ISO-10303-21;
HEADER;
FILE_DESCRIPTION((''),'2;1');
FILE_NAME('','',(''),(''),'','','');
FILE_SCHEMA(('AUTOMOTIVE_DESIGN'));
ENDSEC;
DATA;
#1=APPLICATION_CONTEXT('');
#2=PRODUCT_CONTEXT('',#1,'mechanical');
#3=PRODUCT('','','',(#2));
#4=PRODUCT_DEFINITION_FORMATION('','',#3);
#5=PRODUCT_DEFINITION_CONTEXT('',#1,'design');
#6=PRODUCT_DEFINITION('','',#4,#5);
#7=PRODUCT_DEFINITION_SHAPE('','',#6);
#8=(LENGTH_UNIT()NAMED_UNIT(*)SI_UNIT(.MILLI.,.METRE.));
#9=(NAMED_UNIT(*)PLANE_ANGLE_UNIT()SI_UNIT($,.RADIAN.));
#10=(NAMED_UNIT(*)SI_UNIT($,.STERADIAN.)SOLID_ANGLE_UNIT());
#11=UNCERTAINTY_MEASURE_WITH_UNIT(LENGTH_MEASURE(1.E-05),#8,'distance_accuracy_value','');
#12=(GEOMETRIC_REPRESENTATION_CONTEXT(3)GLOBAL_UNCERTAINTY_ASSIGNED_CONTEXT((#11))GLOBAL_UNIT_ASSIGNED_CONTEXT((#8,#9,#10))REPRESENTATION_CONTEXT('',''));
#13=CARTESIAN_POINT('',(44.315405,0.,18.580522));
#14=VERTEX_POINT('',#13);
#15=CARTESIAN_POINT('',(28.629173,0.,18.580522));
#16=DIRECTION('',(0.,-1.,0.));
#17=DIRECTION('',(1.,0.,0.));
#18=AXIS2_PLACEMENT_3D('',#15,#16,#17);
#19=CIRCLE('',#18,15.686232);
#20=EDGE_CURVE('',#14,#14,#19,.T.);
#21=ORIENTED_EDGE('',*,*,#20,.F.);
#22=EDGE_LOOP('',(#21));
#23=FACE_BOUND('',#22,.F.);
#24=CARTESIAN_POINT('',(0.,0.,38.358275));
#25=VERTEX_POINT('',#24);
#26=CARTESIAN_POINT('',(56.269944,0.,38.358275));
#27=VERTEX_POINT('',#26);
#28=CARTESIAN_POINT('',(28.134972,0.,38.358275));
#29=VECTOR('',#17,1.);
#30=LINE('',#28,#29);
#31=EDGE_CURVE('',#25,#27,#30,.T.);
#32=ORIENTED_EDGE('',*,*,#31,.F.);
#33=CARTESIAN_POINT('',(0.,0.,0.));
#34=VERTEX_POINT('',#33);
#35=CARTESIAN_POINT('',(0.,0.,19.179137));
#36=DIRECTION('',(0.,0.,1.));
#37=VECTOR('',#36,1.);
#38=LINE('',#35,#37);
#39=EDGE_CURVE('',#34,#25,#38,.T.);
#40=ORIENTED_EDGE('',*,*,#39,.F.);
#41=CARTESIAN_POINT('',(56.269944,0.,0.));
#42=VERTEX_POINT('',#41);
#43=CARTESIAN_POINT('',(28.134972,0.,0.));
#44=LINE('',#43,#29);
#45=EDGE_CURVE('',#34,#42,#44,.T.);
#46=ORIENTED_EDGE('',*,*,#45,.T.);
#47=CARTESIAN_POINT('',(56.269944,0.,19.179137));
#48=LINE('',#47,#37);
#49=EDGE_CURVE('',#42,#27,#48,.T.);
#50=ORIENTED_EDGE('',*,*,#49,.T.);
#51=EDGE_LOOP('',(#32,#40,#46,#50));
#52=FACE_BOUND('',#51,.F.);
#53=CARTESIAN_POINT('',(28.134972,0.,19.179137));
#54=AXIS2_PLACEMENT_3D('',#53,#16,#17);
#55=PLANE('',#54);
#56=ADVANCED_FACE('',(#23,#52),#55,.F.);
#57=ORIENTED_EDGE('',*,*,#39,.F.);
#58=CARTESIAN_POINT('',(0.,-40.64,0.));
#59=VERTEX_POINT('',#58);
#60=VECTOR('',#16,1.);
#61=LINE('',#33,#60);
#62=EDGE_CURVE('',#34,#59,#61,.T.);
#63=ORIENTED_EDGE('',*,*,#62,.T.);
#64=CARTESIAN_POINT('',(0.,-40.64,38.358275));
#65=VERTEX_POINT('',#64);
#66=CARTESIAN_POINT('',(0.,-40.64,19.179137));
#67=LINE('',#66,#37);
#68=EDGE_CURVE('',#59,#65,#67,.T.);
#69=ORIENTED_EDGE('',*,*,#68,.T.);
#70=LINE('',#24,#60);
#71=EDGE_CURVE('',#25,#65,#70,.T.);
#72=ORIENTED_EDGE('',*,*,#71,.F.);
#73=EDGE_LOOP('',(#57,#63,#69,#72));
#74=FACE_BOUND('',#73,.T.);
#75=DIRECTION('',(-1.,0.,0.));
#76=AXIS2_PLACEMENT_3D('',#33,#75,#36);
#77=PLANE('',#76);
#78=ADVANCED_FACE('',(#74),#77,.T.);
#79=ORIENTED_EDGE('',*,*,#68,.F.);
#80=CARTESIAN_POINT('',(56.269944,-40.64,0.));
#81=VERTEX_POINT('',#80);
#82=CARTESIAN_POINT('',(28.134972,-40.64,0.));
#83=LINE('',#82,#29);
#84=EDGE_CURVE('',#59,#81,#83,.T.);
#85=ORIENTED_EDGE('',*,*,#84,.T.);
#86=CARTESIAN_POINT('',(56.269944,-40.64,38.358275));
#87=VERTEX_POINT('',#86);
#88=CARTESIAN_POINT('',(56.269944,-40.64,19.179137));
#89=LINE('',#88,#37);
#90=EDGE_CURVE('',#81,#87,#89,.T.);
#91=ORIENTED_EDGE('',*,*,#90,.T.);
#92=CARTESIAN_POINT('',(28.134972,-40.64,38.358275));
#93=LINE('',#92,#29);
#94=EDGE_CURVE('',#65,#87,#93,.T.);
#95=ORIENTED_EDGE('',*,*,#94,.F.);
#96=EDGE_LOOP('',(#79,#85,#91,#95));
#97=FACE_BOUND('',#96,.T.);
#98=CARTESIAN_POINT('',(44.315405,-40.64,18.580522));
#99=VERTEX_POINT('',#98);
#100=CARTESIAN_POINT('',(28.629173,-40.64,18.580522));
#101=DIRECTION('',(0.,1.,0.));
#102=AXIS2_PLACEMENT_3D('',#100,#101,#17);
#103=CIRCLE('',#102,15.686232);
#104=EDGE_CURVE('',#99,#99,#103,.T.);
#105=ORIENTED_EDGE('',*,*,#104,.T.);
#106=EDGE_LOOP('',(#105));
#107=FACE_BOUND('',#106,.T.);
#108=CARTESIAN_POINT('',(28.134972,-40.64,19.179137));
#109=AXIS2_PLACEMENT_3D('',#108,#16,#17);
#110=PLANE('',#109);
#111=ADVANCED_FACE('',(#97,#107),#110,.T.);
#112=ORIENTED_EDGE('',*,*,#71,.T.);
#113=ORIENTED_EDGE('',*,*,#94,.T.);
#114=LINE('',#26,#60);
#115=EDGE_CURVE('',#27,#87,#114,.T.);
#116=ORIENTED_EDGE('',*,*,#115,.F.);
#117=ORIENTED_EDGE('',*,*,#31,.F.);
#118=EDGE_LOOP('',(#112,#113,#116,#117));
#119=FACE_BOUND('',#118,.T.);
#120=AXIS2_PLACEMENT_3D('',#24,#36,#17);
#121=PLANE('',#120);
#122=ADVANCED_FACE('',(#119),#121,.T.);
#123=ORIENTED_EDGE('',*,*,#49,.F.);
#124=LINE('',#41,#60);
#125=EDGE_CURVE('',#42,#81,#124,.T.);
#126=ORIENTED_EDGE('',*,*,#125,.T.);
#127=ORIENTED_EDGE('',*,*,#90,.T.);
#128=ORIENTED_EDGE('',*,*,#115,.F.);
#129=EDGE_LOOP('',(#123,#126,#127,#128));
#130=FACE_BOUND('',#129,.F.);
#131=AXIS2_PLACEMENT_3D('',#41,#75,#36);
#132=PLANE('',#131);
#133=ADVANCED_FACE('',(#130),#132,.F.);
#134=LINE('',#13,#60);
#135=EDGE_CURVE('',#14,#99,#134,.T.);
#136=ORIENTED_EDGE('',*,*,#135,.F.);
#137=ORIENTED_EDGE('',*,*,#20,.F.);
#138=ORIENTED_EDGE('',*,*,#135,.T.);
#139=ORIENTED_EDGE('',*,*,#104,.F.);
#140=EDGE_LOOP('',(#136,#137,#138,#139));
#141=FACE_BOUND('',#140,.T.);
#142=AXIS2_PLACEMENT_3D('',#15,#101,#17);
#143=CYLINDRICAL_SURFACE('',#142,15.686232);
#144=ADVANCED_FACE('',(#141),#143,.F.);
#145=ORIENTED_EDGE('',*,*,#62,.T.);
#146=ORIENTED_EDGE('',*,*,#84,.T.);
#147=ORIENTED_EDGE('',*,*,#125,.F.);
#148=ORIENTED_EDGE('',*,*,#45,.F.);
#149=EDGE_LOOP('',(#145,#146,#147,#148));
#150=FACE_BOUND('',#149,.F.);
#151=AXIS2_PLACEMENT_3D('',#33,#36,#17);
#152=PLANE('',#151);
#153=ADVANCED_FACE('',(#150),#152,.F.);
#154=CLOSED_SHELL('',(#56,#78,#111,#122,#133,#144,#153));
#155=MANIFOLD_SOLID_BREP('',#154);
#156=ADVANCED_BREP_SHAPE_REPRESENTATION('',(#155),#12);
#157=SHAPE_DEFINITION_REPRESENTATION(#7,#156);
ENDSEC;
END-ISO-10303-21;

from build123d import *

# Parameters (mm, degrees)
F0_W     = 56.269944
F0_H     = 38.358275
F1_DEPTH = 40.64
F2_R     = 15.686232
F3_DEPTH = 40.641


with BuildPart() as f1:
    # F0 (on Front) → F1 (new body)
    with BuildSketch(Plane.XZ):
        with Locations((28.134972, 19.179137)):
            Rectangle(F0_W, F0_H)
    extrude(amount=F1_DEPTH)

    # F2 (on Front) → F3 (cut, through all)
    with BuildSketch(Plane.XZ):
        with Locations((28.629173, 18.580522)):
            Circle(F2_R)
    extrude(amount=F3_DEPTH, mode=Mode.SUBTRACT)


solid = f1.part
